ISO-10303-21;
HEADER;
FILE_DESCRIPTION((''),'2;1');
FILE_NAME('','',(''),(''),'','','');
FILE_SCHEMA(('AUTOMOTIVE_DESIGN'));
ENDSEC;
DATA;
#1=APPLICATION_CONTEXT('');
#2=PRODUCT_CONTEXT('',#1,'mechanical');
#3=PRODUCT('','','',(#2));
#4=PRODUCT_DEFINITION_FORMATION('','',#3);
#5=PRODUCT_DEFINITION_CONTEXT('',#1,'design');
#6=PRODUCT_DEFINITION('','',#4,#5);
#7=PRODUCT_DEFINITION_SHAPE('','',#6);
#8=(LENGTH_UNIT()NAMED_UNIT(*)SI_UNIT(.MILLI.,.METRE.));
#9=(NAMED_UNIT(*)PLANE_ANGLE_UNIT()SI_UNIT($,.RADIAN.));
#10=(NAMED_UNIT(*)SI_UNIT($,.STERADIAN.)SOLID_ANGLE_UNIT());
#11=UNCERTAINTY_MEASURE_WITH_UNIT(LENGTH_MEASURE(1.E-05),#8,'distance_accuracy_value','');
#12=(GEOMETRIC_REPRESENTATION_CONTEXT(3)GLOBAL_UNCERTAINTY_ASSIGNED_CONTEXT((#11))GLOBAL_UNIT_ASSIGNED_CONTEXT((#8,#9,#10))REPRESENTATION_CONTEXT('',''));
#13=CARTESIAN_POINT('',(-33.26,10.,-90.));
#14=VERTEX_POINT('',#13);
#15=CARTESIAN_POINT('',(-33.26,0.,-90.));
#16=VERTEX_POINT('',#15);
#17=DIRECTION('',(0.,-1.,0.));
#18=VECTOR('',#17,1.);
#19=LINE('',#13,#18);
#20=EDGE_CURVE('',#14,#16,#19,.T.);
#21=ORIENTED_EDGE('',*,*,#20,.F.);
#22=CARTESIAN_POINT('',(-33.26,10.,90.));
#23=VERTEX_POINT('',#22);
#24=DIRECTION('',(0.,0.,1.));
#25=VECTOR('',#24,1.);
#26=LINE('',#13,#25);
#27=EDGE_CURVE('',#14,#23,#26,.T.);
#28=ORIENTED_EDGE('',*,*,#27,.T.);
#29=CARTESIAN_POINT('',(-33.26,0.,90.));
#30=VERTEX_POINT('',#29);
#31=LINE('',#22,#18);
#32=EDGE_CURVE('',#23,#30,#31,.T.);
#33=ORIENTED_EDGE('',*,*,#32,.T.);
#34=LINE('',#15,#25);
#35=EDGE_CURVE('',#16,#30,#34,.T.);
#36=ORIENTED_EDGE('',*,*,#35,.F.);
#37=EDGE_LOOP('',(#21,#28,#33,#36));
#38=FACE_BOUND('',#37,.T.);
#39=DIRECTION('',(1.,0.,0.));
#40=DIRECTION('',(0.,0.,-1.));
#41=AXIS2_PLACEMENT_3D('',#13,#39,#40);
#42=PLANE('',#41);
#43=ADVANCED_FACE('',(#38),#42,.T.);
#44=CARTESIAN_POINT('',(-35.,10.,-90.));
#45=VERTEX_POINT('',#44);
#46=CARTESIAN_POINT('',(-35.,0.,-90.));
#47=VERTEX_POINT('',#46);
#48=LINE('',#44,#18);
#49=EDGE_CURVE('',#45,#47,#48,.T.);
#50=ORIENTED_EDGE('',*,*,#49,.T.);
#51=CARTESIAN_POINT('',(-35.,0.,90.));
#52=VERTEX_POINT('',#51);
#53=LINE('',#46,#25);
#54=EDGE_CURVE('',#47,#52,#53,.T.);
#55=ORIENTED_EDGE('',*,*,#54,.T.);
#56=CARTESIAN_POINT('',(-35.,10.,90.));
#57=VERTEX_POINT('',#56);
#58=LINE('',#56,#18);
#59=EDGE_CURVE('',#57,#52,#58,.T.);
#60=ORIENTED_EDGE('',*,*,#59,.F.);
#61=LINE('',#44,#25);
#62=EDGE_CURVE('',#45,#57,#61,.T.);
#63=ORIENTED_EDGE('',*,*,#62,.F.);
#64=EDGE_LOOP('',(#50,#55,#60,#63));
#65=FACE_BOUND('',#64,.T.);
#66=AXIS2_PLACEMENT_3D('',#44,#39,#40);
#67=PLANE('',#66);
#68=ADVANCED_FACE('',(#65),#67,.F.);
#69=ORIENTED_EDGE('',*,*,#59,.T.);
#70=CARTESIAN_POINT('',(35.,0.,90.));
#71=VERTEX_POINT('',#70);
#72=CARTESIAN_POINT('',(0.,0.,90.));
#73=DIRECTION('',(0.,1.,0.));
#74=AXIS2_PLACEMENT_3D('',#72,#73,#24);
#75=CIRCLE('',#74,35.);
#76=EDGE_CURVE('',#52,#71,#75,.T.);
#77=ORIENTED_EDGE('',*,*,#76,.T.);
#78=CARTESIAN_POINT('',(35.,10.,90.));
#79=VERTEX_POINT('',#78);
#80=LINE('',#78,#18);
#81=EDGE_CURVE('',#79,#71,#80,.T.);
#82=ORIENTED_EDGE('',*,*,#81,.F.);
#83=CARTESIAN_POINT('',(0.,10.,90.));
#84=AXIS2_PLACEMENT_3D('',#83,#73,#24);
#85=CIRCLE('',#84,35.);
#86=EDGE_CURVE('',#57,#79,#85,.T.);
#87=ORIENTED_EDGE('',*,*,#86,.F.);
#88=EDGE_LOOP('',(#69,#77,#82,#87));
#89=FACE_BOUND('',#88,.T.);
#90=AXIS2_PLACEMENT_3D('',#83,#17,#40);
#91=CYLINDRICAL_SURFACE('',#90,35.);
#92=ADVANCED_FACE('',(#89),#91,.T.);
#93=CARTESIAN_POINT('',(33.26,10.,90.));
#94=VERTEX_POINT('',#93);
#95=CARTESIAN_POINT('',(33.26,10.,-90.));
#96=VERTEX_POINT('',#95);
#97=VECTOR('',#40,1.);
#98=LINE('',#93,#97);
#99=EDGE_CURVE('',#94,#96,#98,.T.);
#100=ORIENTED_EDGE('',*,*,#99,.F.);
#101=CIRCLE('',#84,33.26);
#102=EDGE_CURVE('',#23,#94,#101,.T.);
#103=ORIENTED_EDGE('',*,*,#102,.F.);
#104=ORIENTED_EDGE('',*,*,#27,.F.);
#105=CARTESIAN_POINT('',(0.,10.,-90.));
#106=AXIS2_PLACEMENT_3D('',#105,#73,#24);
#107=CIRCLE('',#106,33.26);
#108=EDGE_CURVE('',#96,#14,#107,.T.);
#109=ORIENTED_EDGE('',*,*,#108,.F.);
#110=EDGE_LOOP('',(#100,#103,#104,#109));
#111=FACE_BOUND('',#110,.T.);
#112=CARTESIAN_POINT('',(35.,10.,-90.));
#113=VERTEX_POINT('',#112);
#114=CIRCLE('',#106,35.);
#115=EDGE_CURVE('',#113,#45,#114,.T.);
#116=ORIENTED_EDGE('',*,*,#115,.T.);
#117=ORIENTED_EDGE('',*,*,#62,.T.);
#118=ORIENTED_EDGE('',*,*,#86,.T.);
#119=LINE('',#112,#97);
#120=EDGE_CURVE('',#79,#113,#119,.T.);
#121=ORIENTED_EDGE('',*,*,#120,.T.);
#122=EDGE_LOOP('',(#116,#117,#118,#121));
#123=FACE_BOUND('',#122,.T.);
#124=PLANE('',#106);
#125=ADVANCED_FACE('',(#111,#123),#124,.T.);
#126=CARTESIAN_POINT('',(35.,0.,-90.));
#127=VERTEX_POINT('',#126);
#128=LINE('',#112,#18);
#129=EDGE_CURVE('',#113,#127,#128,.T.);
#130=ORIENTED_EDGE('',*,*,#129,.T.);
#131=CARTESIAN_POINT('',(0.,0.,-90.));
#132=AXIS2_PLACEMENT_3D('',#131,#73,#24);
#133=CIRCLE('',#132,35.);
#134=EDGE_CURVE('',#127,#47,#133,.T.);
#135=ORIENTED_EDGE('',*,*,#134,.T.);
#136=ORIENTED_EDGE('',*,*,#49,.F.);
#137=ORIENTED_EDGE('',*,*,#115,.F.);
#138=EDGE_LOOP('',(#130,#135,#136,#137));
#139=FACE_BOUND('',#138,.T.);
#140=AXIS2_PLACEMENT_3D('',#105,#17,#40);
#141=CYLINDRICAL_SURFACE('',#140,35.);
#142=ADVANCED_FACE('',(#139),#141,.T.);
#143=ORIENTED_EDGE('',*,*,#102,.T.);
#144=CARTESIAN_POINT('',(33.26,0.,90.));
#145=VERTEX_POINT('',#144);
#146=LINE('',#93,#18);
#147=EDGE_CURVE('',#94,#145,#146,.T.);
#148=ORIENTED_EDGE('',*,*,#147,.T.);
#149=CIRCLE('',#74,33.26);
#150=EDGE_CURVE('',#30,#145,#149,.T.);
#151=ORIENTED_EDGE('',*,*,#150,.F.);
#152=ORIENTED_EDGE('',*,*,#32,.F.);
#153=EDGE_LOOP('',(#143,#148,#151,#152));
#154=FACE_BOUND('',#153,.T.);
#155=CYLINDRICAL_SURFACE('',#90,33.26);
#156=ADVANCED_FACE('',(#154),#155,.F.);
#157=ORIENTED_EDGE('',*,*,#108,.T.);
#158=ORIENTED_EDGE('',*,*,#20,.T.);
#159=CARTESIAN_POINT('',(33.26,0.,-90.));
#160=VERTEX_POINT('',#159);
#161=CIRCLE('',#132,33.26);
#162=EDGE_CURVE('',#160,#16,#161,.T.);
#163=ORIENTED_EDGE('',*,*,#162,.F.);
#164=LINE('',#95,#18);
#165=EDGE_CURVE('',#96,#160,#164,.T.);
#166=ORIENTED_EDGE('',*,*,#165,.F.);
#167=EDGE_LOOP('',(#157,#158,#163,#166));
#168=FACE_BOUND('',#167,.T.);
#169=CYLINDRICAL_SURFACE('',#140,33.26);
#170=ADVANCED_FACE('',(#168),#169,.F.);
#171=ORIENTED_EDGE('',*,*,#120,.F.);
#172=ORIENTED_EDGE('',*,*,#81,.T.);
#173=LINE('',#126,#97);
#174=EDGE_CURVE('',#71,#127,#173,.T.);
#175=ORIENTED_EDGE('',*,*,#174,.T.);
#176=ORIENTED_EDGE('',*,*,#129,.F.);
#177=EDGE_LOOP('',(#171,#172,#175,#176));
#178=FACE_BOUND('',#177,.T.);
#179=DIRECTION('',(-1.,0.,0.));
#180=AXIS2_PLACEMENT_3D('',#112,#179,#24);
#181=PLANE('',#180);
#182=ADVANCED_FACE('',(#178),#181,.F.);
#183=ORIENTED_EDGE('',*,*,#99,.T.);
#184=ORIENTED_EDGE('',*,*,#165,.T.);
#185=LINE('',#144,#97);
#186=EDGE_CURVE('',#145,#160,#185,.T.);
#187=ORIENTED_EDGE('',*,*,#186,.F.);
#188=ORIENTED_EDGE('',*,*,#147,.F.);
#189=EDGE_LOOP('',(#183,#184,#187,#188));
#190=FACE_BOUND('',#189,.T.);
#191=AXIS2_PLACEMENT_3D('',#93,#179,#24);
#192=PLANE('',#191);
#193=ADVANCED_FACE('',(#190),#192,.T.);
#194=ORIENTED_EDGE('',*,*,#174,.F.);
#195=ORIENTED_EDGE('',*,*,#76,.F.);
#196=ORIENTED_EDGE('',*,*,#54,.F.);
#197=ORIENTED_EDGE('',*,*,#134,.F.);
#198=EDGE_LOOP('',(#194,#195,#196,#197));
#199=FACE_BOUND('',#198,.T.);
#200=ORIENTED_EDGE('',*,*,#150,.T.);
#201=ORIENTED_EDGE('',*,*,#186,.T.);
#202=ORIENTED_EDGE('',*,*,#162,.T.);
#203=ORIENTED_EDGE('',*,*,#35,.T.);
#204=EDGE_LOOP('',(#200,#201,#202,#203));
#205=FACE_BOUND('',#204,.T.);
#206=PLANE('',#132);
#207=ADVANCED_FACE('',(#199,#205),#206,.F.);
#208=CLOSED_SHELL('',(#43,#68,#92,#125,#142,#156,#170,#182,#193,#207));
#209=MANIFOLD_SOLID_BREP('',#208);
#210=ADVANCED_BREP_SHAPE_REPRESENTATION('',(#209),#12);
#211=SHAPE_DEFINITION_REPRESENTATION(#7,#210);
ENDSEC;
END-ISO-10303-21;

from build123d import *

# Parameters (mm, degrees)
EXTRUDE_1_DEPTH = 10


with BuildPart() as part:
    # 草图1 → 凸台-拉伸1 (new body)
    with BuildSketch(Plane(origin=(0, 0, 0), x_dir=(1, 0, 0), z_dir=(0, 1, 0))):
        with BuildLine():
            Line((-35, 90), (-35, -90))
            ThreePointArc((-35, -90), (0, -125), (35, -90))
            Line((35, -90), (35, 90))
            ThreePointArc((35, 90), (0, 125), (-35, 90))
        make_face()
        with BuildLine():
            Line((-33.26, 90), (-33.26, -90))
            ThreePointArc((-33.26, -90), (0, -123.26), (33.26, -90))
            Line((33.26, -90), (33.26, 90))
            ThreePointArc((33.26, 90), (0, 123.26), (-33.26, 90))
        make_face(mode=Mode.SUBTRACT)
    extrude(amount=EXTRUDE_1_DEPTH)


solid = part.part
